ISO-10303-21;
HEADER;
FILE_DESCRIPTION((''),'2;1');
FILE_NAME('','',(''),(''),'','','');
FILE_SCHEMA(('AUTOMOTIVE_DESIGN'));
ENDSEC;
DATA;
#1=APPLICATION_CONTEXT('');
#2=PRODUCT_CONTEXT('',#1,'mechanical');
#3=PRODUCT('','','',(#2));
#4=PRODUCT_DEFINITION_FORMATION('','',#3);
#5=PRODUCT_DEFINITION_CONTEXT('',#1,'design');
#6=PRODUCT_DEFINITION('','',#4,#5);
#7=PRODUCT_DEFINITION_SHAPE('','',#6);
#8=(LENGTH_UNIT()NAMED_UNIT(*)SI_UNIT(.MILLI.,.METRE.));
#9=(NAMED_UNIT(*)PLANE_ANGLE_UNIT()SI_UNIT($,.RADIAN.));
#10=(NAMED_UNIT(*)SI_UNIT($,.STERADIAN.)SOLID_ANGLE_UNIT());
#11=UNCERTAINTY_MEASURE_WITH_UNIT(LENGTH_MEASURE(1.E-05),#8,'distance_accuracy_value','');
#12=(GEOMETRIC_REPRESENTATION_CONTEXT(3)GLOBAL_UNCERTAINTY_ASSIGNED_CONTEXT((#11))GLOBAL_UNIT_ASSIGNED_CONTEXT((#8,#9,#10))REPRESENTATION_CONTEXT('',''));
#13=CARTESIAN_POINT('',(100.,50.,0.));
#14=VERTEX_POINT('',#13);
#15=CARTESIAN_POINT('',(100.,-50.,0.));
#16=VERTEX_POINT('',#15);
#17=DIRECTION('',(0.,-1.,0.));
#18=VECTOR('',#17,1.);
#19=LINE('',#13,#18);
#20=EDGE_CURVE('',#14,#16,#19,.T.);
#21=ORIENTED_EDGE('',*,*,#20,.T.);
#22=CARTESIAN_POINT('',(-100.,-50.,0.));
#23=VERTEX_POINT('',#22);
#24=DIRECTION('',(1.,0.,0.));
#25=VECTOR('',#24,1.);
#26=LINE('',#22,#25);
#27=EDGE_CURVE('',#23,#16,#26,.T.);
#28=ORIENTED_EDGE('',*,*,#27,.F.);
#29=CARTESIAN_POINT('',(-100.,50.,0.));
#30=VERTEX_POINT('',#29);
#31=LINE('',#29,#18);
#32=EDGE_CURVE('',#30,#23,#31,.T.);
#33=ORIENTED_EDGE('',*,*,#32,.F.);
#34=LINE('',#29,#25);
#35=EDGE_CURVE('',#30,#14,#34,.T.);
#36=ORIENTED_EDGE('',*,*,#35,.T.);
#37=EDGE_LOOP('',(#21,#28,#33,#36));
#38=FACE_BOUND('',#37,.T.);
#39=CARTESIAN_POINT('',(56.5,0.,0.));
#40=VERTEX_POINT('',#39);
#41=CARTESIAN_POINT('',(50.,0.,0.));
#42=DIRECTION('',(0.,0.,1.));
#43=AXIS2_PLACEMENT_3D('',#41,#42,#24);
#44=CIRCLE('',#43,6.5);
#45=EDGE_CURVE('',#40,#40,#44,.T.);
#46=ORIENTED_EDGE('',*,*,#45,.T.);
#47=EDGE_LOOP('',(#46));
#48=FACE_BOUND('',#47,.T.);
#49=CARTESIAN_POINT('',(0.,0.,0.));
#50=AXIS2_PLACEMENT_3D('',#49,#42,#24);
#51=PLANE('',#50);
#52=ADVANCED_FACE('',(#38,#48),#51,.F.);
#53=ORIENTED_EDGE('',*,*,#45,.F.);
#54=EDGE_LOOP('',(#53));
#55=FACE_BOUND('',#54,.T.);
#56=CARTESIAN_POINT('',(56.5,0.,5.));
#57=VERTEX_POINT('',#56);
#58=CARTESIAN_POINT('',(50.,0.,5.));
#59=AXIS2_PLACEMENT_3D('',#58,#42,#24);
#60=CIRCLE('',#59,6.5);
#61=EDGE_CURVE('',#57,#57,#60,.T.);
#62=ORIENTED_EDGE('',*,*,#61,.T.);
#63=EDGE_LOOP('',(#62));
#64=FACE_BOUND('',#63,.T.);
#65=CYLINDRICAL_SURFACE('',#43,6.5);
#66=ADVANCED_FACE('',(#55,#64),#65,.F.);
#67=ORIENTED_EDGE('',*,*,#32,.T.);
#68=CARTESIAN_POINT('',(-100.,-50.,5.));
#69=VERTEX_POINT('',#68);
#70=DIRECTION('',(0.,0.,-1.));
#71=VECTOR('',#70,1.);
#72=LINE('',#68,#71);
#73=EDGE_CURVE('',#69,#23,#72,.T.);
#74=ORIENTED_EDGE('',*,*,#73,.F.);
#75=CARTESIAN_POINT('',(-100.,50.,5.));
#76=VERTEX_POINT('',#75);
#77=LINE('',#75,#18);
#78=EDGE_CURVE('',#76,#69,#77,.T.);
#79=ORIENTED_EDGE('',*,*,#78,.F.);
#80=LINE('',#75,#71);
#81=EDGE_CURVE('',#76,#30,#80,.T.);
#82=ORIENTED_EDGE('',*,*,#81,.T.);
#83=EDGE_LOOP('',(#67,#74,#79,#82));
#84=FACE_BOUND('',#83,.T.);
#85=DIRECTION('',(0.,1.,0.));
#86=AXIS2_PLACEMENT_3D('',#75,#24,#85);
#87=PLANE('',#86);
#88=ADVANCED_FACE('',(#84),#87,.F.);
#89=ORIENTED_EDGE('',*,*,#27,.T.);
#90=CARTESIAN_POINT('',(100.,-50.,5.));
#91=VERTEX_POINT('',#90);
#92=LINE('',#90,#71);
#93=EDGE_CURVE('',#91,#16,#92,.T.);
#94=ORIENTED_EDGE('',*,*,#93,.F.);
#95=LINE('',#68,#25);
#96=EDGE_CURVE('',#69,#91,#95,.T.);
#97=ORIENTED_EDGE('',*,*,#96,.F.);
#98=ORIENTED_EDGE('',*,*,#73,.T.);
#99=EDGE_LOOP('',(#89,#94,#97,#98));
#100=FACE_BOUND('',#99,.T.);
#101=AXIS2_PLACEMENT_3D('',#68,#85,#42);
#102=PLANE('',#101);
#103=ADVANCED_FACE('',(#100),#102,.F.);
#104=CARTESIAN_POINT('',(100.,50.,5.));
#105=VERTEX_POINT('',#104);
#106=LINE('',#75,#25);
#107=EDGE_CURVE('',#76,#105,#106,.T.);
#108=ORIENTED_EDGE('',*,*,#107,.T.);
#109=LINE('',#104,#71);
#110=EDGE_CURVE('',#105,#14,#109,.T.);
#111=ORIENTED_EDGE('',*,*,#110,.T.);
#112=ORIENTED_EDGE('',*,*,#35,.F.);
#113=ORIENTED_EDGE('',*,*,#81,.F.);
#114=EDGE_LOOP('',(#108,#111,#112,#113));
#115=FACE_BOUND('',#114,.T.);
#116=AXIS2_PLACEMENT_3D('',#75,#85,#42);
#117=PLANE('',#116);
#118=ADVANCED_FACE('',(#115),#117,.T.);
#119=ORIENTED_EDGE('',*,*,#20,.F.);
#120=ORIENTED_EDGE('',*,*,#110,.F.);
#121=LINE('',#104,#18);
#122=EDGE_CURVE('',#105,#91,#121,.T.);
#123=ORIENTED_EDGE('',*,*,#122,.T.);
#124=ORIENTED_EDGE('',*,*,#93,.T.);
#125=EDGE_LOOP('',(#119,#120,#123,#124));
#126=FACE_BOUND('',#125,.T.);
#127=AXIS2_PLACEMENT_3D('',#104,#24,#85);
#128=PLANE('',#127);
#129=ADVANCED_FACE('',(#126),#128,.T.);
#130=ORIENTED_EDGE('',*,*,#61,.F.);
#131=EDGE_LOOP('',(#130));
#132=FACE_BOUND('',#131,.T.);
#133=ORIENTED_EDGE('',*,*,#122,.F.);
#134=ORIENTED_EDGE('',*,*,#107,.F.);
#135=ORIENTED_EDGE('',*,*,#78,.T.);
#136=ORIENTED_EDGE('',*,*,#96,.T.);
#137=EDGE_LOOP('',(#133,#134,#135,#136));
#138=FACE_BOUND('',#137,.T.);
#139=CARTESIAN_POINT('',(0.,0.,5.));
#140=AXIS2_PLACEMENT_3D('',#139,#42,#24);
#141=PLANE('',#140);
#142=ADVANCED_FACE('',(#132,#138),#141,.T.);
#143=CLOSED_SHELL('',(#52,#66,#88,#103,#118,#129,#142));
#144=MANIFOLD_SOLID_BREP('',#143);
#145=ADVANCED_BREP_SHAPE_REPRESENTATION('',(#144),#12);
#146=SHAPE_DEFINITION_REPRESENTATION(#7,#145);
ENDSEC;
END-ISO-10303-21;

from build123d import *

# Parameters (mm, degrees)
SKETCH1_W           = 200
SKETCH1_H           = 100
BOSS_EXTRUDE1_DEPTH = 5
SKETCH2_R           = 6.5
CUT_EXTRUDE1_DEPTH  = 5


with BuildPart() as part:
    # Sketch1 → Boss-Extrude1 (new body)
    with BuildSketch(Plane.XY):
        Rectangle(SKETCH1_W, SKETCH1_H)
    extrude(amount=BOSS_EXTRUDE1_DEPTH)

    # Sketch2 → Cut-Extrude1 (cut)
    with BuildSketch(Plane.XY.offset(5)):
        with Locations((50, 0)):
            Circle(SKETCH2_R)
    extrude(amount=-CUT_EXTRUDE1_DEPTH, mode=Mode.SUBTRACT)


solid = part.part
